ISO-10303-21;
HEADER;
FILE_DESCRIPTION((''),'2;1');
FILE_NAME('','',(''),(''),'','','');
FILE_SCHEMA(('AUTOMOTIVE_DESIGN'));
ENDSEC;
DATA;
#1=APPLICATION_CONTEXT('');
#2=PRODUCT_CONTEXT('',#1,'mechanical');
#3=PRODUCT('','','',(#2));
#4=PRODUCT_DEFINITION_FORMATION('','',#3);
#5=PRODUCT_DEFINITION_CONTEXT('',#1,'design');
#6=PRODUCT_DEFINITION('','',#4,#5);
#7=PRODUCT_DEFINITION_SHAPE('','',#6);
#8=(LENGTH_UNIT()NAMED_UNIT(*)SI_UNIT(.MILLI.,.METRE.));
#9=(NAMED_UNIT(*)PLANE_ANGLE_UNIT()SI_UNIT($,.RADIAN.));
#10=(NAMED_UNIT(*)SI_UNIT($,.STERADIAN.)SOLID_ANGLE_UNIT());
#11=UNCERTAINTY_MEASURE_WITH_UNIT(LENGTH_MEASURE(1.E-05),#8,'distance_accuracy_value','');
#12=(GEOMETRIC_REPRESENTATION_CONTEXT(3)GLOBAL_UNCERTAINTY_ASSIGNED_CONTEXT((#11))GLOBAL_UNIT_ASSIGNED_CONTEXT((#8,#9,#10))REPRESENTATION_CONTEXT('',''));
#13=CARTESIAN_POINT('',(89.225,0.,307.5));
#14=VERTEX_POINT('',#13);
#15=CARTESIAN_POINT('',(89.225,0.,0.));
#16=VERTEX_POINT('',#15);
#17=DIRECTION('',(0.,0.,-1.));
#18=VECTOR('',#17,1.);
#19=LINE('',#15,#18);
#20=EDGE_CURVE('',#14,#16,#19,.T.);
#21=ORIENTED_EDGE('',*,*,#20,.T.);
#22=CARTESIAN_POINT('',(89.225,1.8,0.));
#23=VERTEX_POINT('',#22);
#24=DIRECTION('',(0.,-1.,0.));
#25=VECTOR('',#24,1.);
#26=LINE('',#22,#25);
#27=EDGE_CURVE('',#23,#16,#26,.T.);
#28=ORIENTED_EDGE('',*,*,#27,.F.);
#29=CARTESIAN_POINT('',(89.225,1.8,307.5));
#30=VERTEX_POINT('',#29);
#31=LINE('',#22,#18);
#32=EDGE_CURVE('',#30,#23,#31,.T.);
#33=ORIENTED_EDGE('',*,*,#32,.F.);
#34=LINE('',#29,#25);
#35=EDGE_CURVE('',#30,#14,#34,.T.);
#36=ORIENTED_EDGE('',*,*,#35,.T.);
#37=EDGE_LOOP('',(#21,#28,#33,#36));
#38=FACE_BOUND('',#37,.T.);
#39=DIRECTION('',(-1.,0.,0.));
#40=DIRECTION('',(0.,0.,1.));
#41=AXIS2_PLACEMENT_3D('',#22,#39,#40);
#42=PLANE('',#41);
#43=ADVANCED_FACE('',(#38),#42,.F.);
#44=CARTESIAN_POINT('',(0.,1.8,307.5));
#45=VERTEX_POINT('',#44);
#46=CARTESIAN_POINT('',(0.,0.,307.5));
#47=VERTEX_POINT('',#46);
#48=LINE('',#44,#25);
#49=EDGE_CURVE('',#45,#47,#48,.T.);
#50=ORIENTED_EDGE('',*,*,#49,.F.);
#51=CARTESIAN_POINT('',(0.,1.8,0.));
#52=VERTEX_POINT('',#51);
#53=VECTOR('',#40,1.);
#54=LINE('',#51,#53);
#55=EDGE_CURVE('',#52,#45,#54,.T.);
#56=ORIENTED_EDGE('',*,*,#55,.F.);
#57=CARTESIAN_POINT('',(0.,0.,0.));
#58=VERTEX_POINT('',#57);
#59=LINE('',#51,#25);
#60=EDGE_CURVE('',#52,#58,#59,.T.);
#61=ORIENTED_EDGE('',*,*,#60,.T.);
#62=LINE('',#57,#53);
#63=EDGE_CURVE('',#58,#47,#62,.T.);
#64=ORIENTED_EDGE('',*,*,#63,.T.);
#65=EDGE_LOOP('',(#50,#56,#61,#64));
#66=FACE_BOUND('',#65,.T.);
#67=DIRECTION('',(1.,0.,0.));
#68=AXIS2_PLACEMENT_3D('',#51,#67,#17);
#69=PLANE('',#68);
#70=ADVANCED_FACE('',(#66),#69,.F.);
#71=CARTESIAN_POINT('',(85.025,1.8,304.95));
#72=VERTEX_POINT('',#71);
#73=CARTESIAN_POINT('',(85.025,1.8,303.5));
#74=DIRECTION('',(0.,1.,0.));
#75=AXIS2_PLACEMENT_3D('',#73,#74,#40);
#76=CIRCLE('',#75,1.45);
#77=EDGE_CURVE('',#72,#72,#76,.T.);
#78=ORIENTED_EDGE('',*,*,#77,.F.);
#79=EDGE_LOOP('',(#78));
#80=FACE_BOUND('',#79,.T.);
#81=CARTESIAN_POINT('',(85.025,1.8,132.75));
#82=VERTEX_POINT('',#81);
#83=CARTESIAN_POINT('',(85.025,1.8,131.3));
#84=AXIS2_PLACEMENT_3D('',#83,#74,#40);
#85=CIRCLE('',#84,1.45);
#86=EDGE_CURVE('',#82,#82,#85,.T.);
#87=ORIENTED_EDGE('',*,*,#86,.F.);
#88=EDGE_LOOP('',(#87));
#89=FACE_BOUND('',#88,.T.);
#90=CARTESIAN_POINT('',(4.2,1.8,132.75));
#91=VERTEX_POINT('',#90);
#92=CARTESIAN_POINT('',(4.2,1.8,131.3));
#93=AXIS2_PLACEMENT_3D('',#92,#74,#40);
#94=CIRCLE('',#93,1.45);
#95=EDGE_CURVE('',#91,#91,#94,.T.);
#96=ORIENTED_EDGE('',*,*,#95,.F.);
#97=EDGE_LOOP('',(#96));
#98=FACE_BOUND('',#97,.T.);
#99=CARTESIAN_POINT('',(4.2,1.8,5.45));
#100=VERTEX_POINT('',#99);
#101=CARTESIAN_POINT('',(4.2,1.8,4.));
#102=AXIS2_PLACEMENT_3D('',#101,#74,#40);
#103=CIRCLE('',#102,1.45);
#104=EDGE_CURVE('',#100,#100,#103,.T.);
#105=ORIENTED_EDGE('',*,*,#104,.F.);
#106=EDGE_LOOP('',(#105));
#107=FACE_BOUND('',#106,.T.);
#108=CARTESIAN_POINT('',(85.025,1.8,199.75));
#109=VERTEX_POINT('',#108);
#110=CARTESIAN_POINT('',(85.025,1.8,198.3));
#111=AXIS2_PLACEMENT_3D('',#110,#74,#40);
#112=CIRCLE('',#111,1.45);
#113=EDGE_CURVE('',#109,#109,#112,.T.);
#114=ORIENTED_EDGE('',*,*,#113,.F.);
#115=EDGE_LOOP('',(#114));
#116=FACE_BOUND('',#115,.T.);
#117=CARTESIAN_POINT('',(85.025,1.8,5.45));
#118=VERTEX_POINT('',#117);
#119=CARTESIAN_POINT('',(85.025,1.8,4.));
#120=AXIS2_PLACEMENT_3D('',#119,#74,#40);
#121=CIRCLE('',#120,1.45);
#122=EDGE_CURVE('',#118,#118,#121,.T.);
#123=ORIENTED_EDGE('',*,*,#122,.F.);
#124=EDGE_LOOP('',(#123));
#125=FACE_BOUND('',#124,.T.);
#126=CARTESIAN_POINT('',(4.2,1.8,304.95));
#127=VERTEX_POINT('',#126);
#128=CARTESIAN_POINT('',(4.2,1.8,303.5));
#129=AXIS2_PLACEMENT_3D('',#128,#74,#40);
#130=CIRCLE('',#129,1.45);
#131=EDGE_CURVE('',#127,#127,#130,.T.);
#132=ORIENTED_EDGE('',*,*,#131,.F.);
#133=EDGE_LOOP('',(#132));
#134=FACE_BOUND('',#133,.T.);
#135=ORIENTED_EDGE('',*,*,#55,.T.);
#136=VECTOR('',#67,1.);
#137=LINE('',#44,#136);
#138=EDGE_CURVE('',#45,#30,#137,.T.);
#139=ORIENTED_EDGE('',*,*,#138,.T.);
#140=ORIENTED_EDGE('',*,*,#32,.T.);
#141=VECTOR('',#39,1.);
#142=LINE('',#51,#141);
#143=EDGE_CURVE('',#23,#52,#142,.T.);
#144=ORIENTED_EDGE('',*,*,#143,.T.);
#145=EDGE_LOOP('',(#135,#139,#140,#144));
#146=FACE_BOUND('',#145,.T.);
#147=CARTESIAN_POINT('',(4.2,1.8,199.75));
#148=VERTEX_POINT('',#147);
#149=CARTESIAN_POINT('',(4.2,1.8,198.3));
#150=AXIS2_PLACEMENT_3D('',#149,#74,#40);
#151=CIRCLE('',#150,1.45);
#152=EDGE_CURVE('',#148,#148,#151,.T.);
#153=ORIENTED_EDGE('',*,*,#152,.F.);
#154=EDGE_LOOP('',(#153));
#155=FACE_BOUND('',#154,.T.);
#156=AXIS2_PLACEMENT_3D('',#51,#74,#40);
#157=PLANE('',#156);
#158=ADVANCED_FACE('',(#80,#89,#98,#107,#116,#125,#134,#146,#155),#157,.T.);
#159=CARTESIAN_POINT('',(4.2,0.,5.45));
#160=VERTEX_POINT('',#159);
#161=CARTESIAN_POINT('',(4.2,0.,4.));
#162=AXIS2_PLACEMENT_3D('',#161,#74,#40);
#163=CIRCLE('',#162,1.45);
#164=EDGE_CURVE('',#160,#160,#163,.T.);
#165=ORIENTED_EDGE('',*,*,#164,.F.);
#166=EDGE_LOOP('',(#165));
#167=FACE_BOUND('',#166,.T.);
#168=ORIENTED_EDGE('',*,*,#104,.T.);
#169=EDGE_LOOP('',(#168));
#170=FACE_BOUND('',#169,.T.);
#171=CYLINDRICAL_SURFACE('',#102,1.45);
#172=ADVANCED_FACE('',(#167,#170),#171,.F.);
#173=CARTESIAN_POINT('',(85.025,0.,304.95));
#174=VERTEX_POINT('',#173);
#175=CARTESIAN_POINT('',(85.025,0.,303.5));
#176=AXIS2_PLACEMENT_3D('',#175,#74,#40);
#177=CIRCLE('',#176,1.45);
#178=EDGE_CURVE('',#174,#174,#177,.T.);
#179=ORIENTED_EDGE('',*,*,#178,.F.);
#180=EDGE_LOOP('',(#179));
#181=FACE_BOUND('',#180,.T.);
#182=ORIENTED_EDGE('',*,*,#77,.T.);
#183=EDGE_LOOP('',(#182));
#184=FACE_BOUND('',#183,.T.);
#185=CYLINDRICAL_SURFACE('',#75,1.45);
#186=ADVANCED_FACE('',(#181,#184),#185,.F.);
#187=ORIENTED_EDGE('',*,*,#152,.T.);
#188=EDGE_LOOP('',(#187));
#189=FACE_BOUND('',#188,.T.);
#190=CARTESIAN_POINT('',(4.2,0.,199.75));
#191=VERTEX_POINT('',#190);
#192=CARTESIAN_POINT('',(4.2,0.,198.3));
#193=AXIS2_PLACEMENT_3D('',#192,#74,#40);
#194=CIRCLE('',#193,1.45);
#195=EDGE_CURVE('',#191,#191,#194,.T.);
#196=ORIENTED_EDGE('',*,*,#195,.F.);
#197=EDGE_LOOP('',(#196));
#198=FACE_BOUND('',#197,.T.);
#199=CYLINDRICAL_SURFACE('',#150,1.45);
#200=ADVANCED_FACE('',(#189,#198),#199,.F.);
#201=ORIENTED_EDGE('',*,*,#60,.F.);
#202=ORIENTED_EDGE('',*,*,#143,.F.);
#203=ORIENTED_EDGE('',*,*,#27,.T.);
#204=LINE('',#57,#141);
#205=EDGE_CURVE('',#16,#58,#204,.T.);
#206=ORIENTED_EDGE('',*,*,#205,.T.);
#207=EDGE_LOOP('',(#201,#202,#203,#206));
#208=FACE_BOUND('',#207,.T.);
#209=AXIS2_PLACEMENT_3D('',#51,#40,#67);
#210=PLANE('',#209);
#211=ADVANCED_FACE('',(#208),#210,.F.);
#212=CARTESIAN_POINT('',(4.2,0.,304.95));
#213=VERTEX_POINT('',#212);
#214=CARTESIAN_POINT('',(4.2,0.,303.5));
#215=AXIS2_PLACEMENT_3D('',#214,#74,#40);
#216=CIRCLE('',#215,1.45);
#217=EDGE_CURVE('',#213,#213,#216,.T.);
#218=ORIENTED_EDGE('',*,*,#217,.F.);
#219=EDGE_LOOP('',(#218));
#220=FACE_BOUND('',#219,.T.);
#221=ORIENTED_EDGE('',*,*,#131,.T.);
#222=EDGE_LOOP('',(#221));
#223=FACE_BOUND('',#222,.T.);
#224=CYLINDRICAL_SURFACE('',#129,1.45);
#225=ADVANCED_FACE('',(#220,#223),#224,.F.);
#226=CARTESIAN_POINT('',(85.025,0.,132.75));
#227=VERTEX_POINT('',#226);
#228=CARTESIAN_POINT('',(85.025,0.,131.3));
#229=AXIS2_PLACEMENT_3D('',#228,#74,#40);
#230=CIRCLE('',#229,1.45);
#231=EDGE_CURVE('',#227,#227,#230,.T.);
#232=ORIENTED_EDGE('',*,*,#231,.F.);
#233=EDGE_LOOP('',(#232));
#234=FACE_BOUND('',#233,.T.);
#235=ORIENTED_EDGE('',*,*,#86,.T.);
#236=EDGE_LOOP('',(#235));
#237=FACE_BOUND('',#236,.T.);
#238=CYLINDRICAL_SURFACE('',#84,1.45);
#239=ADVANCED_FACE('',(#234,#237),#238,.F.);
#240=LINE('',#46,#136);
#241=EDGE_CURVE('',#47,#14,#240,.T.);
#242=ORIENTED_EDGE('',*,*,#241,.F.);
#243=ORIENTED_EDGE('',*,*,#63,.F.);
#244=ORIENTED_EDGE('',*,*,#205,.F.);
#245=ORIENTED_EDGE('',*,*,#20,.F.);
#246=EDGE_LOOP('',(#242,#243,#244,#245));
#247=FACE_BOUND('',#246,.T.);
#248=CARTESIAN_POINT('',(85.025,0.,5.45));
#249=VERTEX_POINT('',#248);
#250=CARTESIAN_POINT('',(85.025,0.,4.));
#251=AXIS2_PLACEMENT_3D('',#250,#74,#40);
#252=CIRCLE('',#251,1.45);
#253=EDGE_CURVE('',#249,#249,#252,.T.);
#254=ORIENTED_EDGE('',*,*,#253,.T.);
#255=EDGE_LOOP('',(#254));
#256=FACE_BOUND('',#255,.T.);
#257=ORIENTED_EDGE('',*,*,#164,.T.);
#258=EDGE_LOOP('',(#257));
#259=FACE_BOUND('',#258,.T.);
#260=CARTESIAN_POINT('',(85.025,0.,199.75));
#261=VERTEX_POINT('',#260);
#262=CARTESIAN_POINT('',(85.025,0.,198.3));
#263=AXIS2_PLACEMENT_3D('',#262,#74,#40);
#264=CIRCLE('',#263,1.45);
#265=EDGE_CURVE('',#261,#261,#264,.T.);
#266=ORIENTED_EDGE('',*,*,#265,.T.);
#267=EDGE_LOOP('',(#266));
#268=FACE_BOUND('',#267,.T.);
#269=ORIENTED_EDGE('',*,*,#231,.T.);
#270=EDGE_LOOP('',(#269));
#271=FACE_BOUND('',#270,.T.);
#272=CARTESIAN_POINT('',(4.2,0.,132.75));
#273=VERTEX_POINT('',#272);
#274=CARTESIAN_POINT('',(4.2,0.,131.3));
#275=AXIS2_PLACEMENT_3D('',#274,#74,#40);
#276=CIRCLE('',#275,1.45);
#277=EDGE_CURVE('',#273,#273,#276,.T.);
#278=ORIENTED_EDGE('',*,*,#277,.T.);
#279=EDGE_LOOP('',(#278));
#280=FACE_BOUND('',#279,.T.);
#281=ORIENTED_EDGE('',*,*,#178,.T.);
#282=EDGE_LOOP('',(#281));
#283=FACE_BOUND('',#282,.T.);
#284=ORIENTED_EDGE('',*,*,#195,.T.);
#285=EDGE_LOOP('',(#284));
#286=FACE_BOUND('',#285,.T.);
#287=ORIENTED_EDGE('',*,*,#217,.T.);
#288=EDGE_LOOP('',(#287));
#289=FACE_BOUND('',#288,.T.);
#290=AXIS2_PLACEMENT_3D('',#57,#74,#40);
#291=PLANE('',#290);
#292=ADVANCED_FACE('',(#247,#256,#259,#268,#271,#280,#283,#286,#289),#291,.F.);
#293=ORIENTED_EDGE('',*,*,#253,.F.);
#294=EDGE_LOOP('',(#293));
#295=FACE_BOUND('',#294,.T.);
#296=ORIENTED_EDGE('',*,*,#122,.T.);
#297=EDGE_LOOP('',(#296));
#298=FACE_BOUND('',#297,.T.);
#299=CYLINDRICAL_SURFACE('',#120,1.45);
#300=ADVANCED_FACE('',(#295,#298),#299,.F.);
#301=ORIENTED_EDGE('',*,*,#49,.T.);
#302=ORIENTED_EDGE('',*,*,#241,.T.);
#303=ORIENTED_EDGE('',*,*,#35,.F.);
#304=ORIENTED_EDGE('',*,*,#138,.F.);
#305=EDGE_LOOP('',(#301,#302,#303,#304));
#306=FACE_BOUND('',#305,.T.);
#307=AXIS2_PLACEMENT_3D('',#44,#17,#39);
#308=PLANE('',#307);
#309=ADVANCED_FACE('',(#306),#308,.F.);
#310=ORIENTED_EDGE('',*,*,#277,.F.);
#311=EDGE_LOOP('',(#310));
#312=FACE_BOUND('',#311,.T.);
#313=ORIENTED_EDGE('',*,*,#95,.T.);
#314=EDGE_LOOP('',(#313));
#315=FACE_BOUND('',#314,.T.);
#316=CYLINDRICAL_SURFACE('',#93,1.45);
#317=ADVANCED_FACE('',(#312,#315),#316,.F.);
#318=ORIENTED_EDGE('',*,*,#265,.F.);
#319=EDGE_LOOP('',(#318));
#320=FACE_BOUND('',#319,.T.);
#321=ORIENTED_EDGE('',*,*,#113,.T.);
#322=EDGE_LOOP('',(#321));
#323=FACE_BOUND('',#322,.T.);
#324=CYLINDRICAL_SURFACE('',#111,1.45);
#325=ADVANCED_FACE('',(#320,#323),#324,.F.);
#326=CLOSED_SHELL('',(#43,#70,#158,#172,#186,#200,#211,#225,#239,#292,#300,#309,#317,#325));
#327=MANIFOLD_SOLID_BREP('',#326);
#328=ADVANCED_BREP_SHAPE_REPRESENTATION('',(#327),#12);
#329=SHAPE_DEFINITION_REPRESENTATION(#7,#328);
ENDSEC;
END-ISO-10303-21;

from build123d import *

# Parameters (mm, degrees)
SKETCH1_W              = 89.225
SKETCH1_H              = 307.5
BOSS_EXTRUDE1_DEPTH    = 1.8
M2_5_CLEARANCE_HOLE1_D = 2.9


with BuildPart() as part:
    # Sketch1 → Boss-Extrude1 (new body)
    with BuildSketch(Plane(origin=(0, 0, 0), x_dir=(1, 0, 0), z_dir=(0, 1, 0))):
        with Locations((44.6125, -153.75)):
            Rectangle(SKETCH1_W, SKETCH1_H)
    extrude(amount=BOSS_EXTRUDE1_DEPTH)

    # M2.5 Clearance Hole1 (through all)
    with Locations(Plane(origin=(0, 1.8, 0), x_dir=(1, 0, 0), z_dir=(0, 1, 0))):
        with Locations((4.2, -4), (85.025, -4), (85.025, -131.3), (85.025, -198.3), (85.025, -303.5), (4.2, -303.5), (4.2, -198.3), (4.2, -131.3)):
            Hole(M2_5_CLEARANCE_HOLE1_D / 2)


solid = part.part
